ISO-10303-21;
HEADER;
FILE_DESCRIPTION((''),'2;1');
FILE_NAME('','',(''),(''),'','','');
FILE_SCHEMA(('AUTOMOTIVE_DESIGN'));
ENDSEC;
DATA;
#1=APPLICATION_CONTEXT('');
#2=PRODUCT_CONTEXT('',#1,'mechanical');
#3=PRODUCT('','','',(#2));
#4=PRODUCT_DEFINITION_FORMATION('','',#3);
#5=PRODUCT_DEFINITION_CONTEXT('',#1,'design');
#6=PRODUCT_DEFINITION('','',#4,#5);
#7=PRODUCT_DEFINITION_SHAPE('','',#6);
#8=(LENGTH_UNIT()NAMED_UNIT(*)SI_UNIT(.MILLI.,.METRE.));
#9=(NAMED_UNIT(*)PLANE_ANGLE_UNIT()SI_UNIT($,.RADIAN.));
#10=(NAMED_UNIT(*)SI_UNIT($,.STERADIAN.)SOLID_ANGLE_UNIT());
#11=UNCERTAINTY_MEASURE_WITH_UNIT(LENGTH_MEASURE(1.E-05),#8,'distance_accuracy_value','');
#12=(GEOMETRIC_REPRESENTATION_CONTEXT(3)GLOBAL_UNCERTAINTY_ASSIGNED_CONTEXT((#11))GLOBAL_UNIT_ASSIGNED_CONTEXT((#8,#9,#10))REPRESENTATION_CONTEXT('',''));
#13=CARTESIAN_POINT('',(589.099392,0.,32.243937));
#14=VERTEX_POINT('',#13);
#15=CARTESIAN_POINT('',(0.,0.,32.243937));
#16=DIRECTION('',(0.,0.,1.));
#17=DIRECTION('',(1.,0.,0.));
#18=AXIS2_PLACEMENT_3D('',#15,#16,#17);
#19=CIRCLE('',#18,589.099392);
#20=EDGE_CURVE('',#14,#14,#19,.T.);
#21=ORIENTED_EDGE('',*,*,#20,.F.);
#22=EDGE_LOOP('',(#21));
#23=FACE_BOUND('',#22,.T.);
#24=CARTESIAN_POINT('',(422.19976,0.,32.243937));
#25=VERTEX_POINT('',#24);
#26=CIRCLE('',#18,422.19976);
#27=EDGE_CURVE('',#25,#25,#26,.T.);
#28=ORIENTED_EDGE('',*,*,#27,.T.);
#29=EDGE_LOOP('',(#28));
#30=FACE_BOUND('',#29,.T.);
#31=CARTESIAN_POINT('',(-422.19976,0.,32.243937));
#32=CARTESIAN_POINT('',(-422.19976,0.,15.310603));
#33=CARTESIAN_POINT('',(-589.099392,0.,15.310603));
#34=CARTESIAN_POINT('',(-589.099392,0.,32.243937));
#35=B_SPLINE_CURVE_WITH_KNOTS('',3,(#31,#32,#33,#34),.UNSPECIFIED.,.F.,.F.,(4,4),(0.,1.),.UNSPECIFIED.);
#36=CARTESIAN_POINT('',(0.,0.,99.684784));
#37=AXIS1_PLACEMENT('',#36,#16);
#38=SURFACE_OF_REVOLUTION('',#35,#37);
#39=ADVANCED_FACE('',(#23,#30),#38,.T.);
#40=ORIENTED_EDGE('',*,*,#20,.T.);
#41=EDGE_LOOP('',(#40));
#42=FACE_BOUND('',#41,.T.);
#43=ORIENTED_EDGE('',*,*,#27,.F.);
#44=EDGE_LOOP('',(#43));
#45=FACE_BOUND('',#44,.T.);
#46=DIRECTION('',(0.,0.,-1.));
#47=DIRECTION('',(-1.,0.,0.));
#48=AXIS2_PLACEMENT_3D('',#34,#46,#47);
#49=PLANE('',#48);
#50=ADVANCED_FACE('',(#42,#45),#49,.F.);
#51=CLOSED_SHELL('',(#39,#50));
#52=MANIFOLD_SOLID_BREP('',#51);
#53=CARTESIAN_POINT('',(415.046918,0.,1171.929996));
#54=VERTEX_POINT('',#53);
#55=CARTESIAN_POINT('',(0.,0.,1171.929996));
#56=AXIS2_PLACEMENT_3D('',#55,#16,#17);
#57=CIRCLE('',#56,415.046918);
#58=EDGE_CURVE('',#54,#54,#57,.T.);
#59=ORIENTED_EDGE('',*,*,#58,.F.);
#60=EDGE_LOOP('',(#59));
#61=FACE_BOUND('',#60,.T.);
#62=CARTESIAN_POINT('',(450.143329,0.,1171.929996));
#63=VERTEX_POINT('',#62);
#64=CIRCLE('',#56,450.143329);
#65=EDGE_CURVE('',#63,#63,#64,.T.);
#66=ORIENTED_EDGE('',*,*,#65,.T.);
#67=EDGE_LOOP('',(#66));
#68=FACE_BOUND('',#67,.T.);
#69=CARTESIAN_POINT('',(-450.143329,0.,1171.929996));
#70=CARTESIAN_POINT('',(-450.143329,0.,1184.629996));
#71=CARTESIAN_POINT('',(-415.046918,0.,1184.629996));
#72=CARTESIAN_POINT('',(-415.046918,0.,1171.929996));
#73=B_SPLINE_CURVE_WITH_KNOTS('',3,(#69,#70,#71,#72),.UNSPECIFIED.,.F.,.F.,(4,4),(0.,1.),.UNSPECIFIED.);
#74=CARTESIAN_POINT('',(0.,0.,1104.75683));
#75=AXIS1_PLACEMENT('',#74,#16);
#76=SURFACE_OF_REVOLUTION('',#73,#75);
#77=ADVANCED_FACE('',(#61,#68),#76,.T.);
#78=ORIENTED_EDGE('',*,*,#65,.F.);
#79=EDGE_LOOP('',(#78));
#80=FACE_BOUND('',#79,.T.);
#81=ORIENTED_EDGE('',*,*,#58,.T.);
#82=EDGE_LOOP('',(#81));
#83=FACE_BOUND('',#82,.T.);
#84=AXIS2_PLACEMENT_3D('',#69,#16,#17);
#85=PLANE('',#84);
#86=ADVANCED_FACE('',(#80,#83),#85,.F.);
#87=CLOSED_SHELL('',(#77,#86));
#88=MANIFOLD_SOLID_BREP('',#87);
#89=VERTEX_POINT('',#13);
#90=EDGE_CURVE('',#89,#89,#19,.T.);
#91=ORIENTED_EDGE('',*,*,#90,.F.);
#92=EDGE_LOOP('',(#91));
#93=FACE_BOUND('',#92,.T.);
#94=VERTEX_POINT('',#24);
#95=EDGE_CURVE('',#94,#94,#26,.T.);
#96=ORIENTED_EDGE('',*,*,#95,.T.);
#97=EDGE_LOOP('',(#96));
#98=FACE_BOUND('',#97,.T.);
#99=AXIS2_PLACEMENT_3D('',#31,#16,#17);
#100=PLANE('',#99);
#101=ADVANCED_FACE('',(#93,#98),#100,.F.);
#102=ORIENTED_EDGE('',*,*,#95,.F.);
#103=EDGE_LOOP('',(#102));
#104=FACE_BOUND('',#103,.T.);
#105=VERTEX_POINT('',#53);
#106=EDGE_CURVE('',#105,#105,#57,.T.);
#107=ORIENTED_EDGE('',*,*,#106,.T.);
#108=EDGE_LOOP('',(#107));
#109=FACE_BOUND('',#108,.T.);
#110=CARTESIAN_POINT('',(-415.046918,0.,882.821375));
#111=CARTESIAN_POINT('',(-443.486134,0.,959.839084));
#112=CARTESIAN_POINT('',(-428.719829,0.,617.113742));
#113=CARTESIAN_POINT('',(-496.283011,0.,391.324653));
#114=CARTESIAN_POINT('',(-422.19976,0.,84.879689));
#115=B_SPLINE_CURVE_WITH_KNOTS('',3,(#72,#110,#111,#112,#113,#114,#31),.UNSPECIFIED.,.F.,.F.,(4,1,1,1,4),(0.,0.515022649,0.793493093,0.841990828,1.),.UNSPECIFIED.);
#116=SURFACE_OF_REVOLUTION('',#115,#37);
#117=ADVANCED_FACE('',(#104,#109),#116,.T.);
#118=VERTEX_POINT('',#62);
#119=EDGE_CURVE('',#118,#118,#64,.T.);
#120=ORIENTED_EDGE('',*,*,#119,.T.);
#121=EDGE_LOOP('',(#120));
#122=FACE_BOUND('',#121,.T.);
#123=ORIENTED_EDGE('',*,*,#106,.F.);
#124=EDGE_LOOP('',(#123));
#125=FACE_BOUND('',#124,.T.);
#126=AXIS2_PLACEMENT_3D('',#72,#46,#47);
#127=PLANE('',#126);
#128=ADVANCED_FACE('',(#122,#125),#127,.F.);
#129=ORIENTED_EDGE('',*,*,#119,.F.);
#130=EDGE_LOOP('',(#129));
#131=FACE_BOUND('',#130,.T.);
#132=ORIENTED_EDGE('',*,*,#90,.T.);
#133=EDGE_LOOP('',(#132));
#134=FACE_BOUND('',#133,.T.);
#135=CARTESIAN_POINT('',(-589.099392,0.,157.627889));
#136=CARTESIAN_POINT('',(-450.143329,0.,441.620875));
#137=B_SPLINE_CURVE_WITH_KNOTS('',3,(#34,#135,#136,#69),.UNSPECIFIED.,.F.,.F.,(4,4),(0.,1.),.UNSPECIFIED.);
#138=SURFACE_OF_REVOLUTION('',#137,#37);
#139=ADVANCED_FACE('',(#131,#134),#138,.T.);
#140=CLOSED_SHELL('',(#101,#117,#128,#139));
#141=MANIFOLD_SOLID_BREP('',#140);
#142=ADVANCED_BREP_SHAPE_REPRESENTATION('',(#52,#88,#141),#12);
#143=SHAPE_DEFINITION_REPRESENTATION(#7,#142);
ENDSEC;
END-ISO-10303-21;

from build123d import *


with BuildPart() as part:
    # Sketch21 → Revolve2 (revolve)
    with BuildSketch(Plane(origin=(0, 0, 0), x_dir=(1, 0, 0), z_dir=(0, 1, 0))):
        with BuildLine():
            Line((-415.046918134, -1171.929995514), (-450.143329298, -1171.929995514))
            add(Edge.make_bspline(
                [(-589.099391581, -32.243936504), (-589.099391581, -157.62788888), (-450.143329298, -441.620875129), (-450.143329298, -1171.929995514)],
                knots=[0, 0, 0, 0, 1, 1, 1, 1], degree=3))
            Line((-589.099391581, -32.243936504), (-422.199759508, -32.243936504))
            add(Edge.make_bspline(
                [(-422.199759508, -32.243936504), (-422.199759508, -84.879689026), (-496.283010683, -391.324653201), (-428.719828511, -617.113742102), (-443.486134022, -959.839083612), (-415.046918134, -882.821374874), (-415.046918134, -1171.929995514)],
                knots=[0, 0, 0, 0, 0.158009172, 0.206506907, 0.484977351, 1, 1, 1, 1], degree=3))
        make_face()
    revolve(axis=Axis((0, 0, 99.684784321), (0, 0, -1)))


with BuildPart() as body_2:
    # Sketch22 → Revolve3 (revolve)
    with BuildSketch(Plane(origin=(0, 0, 0), x_dir=(1, 0, 0), z_dir=(0, 1, 0))):
        with BuildLine():
            Line((-589.099391581, -32.243936504), (-422.199759508, -32.243936504))
            add(Edge.make_bspline(
                [(-589.099391581, -32.243936504), (-589.099391581, -15.310603171), (-422.199759508, -15.310603171), (-422.199759508, -32.243936504)],
                knots=[0, 0, 0, 0, 1, 1, 1, 1], degree=3))
        make_face()
    revolve(axis=Axis((0, 0, 99.684784321), (0, 0, -1)))


with BuildPart() as body_3:
    # Sketch23 → Revolve4 (revolve)
    with BuildSketch(Plane(origin=(0, 0, 0), x_dir=(1, 0, 0), z_dir=(0, 1, 0))):
        with BuildLine():
            Line((-450.143329298, -1171.929995514), (-415.046918134, -1171.929995514))
            add(Edge.make_bspline(
                [(-450.143329298, -1171.929995514), (-450.143329298, -1184.629995514), (-415.046918134, -1184.629995514), (-415.046918134, -1171.929995514)],
                knots=[0, 0, 0, 0, 1, 1, 1, 1], degree=3))
        make_face()
    revolve(axis=Axis((0, 0, 1104.756830123), (0, 0, -1)))


solid = Compound([part.part, body_2.part, body_3.part])
